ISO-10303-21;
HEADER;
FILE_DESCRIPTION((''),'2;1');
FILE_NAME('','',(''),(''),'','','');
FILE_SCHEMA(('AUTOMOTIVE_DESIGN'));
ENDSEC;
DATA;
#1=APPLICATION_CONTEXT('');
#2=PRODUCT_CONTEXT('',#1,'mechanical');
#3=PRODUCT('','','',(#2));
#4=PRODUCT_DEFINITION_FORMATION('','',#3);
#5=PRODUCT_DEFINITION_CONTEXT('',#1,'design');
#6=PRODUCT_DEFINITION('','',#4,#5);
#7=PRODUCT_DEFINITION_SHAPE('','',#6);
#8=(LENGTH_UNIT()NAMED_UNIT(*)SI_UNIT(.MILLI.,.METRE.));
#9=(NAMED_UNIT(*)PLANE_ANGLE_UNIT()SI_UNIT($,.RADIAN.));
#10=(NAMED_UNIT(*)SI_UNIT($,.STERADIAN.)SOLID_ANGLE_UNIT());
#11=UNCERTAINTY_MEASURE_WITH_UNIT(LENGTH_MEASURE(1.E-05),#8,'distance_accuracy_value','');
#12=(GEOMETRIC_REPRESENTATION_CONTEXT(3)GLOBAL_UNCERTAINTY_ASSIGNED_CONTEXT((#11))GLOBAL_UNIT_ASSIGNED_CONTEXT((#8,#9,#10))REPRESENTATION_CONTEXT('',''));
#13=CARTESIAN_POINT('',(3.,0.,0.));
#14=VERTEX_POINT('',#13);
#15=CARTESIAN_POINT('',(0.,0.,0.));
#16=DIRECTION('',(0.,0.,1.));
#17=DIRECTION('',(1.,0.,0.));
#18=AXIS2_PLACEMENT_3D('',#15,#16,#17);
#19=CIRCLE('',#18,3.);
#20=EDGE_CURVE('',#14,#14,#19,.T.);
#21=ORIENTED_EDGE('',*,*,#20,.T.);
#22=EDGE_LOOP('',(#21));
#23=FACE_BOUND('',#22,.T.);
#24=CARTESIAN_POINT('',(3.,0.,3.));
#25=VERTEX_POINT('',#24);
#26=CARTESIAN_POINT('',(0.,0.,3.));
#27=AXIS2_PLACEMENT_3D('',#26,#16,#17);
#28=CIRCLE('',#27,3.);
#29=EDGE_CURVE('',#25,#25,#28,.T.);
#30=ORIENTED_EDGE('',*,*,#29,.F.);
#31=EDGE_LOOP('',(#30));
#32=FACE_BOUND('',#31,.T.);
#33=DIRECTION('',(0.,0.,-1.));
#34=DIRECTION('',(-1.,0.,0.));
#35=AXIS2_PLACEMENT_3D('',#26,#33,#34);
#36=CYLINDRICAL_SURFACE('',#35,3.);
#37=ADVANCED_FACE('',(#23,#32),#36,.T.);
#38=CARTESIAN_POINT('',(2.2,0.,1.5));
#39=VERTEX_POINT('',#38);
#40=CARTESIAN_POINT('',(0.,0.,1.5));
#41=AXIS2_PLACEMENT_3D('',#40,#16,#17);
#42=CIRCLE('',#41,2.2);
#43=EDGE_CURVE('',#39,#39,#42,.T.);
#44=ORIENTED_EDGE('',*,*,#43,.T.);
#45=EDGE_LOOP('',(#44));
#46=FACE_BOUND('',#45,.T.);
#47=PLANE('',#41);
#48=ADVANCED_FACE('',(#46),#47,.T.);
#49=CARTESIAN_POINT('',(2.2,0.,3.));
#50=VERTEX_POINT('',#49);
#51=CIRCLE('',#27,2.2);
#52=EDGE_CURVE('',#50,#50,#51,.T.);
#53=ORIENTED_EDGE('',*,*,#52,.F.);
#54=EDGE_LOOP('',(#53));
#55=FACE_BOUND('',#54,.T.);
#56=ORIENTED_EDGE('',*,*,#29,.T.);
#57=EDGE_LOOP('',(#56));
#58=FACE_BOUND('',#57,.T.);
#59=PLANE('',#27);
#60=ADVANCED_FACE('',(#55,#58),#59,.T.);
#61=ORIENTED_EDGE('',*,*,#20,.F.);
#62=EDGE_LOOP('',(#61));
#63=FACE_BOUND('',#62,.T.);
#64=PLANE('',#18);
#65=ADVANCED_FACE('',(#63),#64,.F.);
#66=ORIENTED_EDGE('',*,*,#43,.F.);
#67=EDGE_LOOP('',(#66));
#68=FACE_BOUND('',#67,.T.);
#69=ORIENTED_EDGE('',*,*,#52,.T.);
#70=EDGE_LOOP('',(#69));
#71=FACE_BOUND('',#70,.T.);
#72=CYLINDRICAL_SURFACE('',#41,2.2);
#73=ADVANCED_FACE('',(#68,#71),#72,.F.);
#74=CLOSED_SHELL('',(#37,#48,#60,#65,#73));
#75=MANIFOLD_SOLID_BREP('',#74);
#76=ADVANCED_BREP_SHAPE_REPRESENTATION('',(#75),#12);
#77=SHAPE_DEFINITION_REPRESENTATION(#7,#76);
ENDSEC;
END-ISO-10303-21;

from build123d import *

# Parameters (mm, degrees)
SKETCH_1_R          = 3
EXTRUDE_1_DEPTH     = 3
SKETCH_2_R          = 2.2
CUT_EXTRUDE_1_DEPTH = 1.5


with BuildPart() as part:
    # Эскиз1 → Бобышка-Вытянуть1 (new body)
    with BuildSketch(Plane.XY):
        Circle(SKETCH_1_R)
    extrude(amount=EXTRUDE_1_DEPTH)

    # Эскиз2 → Вырез-Вытянуть1 (cut)
    with BuildSketch(Plane.XY.offset(3)):
        Circle(SKETCH_2_R)
    extrude(amount=-CUT_EXTRUDE_1_DEPTH, mode=Mode.SUBTRACT)


solid = part.part
